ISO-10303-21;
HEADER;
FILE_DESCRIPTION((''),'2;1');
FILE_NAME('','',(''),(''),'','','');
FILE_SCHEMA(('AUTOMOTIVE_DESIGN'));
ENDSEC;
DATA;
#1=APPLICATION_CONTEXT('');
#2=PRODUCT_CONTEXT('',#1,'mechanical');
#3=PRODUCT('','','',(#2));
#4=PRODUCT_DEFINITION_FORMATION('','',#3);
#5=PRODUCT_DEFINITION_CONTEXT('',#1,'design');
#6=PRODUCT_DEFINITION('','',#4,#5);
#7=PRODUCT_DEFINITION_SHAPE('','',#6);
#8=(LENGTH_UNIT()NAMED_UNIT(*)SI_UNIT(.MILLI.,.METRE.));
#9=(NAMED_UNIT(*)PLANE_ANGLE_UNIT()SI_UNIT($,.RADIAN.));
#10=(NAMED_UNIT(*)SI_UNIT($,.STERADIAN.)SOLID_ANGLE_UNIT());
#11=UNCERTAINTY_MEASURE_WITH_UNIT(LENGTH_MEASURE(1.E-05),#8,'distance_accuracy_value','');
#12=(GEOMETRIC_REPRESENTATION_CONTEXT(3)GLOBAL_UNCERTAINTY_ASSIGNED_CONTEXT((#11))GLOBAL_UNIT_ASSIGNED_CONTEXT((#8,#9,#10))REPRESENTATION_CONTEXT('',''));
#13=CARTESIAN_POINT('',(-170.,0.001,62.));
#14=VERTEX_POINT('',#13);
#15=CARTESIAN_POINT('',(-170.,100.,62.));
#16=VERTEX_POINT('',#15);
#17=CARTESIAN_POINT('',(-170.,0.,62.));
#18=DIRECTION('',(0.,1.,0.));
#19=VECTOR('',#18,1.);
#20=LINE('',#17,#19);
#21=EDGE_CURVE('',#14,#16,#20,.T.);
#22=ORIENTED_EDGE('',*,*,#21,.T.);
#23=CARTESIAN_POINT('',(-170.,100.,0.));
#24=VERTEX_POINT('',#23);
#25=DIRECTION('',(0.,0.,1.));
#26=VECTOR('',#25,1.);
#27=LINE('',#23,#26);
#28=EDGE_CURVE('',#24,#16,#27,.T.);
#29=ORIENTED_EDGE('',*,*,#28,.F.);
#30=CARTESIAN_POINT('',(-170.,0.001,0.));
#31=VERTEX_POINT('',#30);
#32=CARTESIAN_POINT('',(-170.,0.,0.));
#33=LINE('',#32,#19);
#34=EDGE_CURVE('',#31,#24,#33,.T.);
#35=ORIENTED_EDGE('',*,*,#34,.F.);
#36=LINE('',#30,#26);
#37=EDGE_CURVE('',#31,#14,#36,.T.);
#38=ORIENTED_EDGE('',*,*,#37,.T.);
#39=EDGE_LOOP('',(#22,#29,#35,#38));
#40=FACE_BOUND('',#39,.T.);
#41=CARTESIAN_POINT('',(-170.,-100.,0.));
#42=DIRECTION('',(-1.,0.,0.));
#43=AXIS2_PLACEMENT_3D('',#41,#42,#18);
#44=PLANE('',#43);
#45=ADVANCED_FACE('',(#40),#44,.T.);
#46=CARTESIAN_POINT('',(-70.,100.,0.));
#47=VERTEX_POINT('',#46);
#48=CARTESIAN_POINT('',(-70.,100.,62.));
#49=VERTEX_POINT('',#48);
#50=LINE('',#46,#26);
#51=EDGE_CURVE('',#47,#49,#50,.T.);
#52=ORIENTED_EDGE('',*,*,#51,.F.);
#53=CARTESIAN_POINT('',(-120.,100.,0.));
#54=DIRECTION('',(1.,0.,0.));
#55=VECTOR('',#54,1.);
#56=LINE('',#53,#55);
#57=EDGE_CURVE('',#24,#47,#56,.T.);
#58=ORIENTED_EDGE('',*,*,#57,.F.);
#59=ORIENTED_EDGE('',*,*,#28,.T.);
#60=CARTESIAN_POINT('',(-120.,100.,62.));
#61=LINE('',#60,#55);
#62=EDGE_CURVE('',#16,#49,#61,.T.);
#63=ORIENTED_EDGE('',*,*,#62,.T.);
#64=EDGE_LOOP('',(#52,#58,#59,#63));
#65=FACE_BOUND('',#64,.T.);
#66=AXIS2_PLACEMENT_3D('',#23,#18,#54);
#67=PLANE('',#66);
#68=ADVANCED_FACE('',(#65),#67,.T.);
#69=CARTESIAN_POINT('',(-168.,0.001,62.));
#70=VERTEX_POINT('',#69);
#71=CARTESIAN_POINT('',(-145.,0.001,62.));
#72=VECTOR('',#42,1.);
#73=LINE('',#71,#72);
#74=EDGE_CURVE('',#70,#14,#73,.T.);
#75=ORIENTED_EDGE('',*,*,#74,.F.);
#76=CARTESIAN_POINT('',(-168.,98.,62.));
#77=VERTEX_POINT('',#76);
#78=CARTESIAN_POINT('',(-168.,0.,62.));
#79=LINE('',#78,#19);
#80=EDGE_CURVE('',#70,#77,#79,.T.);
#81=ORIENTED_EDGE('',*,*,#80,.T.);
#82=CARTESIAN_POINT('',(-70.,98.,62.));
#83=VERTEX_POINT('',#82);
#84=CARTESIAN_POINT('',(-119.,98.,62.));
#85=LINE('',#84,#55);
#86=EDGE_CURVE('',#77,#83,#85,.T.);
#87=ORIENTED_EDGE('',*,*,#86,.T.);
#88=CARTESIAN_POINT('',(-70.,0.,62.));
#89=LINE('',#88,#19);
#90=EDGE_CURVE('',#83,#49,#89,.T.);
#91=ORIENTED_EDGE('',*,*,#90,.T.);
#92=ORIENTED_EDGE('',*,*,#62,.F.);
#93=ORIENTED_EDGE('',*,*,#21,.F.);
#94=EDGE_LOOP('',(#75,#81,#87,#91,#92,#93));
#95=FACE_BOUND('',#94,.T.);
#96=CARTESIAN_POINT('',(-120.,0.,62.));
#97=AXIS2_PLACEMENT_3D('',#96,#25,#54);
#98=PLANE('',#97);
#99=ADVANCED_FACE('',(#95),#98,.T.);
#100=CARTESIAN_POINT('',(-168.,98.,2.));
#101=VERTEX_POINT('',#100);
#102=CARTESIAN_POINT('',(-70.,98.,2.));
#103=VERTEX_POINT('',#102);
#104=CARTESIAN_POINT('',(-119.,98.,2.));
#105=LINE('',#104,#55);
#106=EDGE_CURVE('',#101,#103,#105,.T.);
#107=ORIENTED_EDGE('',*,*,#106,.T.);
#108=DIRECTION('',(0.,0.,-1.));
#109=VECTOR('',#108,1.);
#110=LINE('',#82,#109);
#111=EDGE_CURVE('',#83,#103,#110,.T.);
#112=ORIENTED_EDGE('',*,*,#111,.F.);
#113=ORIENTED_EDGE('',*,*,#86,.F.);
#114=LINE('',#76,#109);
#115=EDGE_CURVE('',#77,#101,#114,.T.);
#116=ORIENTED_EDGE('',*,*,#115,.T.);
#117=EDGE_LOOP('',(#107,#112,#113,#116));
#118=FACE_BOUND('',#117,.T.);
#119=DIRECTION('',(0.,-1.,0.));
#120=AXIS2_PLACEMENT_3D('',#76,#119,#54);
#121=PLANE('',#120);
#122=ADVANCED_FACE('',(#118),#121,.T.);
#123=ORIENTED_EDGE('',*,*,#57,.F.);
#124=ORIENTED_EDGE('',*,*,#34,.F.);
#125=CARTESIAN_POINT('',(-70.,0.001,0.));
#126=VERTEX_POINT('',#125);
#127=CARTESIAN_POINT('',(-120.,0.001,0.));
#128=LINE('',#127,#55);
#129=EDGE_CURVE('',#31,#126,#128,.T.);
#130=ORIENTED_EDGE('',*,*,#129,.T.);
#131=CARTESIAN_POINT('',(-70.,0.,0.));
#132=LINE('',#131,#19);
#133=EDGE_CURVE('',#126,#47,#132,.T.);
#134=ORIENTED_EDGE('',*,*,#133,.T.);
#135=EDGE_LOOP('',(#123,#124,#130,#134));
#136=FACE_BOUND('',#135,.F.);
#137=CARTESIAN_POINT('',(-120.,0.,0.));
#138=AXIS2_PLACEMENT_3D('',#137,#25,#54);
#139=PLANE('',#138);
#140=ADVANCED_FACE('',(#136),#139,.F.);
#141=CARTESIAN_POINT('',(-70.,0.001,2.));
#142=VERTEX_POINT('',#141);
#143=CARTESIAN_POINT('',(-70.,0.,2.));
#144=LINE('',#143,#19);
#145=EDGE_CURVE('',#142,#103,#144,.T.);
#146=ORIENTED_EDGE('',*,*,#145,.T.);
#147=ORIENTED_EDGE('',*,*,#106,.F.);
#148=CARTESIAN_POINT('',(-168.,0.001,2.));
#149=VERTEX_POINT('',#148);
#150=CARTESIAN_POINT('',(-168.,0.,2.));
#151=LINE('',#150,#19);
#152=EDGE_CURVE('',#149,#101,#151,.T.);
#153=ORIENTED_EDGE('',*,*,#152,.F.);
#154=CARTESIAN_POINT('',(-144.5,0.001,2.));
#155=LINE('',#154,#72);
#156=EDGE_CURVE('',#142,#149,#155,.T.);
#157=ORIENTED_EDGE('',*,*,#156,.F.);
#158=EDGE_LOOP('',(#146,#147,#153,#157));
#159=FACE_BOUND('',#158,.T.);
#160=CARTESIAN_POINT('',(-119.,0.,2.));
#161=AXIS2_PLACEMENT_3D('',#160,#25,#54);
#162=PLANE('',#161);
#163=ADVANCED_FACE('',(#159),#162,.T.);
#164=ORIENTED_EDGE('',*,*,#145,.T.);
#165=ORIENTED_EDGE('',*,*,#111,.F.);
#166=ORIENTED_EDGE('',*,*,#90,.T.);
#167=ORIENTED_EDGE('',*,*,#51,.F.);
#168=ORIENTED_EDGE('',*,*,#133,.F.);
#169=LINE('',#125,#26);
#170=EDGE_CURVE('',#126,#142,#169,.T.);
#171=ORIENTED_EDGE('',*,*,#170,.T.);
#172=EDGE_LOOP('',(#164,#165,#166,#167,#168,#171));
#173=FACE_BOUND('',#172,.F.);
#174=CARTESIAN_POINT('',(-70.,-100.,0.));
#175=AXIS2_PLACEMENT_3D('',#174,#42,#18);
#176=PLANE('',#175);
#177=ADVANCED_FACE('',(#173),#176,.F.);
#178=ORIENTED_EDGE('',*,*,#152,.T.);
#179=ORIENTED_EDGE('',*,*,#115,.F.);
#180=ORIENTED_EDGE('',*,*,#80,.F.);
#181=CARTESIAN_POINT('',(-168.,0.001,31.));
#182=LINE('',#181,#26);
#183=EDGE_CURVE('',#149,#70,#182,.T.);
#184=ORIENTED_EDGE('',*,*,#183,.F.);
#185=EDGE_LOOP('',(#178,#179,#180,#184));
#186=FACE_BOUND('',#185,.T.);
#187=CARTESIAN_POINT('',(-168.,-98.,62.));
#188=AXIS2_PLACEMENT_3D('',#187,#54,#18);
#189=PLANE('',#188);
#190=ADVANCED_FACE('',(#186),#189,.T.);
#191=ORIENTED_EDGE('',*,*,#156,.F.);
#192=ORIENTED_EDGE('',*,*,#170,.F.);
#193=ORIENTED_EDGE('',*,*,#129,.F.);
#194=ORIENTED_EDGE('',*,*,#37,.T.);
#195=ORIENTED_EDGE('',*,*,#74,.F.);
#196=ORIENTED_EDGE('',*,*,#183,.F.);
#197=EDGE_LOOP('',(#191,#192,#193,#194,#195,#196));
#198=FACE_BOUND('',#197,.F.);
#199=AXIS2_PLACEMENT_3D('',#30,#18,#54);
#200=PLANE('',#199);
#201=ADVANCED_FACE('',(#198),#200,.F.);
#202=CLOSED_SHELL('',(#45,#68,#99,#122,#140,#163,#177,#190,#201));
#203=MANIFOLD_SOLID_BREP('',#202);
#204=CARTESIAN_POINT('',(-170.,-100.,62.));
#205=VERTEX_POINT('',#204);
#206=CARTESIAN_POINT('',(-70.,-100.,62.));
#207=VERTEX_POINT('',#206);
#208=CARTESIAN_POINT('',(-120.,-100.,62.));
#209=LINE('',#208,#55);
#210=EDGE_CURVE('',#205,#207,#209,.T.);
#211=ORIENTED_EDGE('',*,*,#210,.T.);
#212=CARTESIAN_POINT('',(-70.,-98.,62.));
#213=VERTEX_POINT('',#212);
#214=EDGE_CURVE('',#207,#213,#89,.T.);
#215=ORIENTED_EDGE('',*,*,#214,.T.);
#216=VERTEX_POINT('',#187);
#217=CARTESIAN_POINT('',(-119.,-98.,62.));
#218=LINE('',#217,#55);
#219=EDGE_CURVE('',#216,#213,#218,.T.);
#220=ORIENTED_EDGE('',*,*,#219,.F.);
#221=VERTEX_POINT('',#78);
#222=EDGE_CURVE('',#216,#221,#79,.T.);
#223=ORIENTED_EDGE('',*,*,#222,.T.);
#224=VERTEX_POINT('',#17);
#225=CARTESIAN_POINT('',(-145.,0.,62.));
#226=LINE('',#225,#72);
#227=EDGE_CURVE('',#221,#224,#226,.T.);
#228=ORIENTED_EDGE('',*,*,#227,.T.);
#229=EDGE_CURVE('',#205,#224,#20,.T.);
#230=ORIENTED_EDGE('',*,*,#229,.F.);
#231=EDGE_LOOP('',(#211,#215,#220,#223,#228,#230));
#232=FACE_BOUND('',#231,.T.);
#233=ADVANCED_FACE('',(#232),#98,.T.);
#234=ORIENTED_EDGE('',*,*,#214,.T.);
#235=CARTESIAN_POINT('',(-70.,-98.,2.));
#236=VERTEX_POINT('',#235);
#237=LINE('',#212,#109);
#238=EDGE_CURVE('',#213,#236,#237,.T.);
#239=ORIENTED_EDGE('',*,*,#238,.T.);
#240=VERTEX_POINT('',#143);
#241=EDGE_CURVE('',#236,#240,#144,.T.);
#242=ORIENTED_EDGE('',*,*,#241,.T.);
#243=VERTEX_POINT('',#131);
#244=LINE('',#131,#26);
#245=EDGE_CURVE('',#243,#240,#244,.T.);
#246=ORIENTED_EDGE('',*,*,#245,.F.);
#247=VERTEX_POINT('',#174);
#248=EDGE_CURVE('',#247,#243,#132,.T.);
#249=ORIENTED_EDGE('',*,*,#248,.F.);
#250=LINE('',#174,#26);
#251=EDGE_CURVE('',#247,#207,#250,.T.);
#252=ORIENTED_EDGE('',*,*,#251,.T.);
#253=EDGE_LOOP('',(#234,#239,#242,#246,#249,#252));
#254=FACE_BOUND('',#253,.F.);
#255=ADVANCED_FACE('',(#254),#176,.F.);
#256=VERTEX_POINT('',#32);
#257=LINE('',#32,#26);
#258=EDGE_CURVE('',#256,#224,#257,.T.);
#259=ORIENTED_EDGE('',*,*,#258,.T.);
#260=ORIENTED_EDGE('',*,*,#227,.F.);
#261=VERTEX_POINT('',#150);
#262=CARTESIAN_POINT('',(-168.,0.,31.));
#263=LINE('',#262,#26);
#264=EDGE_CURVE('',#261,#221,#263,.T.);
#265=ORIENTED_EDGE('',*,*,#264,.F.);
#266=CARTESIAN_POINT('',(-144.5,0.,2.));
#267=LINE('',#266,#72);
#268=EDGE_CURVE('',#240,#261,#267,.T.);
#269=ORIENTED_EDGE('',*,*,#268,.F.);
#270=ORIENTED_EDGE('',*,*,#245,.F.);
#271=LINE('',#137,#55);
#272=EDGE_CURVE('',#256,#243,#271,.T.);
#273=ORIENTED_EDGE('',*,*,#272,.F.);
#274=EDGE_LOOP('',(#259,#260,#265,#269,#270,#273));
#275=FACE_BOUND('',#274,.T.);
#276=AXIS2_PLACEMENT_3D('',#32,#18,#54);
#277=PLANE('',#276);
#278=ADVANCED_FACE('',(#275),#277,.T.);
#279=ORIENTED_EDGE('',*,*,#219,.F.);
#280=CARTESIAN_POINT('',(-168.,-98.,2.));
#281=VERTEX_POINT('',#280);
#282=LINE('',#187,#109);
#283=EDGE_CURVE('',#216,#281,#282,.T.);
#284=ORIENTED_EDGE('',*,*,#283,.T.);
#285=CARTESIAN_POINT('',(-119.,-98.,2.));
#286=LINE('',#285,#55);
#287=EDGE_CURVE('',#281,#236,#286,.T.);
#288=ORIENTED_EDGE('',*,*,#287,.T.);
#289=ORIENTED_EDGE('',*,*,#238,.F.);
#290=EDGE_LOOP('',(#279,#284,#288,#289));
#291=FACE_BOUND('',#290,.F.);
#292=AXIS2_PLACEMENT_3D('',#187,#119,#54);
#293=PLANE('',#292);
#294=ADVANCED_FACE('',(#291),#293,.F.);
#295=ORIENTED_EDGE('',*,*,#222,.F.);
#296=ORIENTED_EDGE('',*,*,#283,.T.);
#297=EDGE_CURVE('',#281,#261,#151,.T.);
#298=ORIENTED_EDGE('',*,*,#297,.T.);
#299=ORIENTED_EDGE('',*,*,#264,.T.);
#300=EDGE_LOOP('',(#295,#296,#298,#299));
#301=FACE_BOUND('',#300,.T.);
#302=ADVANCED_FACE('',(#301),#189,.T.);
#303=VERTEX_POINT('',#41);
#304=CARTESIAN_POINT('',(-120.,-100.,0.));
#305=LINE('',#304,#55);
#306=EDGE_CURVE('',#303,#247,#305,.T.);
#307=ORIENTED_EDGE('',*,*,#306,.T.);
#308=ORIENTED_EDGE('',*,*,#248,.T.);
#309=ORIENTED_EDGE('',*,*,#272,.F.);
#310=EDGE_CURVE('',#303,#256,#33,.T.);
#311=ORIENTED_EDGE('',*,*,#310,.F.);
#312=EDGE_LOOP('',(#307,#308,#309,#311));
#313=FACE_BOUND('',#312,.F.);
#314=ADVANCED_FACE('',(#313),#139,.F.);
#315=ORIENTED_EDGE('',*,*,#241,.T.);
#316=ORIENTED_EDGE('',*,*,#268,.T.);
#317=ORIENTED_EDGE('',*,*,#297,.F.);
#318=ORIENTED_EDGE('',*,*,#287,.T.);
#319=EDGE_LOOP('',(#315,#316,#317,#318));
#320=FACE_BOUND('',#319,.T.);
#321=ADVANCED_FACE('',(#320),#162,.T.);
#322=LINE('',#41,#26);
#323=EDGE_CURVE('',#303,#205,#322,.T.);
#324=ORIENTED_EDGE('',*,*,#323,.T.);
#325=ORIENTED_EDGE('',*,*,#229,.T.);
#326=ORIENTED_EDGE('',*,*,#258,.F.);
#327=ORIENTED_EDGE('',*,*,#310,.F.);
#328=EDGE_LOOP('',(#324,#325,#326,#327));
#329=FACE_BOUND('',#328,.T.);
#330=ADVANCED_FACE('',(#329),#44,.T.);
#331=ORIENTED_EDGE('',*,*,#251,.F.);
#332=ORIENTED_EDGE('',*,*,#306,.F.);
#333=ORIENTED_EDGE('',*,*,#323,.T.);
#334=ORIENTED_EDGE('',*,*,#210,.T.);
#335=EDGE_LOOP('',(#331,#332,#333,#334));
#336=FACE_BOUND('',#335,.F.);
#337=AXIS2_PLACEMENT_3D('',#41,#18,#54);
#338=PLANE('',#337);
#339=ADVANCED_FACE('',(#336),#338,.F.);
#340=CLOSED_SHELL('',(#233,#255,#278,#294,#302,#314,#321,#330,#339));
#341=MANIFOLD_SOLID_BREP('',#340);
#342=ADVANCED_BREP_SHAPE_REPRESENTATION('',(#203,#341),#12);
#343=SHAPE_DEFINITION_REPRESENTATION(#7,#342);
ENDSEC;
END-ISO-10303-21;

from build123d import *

# Parameters (mm, degrees)
F0_W     = 100
F0_H     = 200
F1_DEPTH = 62
F2_W     = 98
F2_H     = 196
F3_DEPTH = 60
F4_W     = 100
F4_H     = 0.001
F5_DEPTH = 62.001


with BuildPart() as f1:
    # F0 (on Top) → F1 (new body)
    with BuildSketch(Plane.XY):
        with Locations((-120, 0)):
            Rectangle(F0_W, F0_H)
    extrude(amount=F1_DEPTH)

    # F2 (on face) → F3 (cut)
    with BuildSketch(Plane.XY.offset(62)):
        with Locations((-119, 0)):
            Rectangle(F2_W, F2_H)
    extrude(amount=-F3_DEPTH, mode=Mode.SUBTRACT)

    # F4 (on face) → F5 (cut, through all)
    with BuildSketch(Plane(origin=(0, 0, 0), x_dir=(1, 0, 0), z_dir=(0, 0, -1))):
        with Locations((-120, -0.0005)):
            Rectangle(F4_W, F4_H)
    extrude(amount=-F5_DEPTH, mode=Mode.SUBTRACT)


solid = f1.part
